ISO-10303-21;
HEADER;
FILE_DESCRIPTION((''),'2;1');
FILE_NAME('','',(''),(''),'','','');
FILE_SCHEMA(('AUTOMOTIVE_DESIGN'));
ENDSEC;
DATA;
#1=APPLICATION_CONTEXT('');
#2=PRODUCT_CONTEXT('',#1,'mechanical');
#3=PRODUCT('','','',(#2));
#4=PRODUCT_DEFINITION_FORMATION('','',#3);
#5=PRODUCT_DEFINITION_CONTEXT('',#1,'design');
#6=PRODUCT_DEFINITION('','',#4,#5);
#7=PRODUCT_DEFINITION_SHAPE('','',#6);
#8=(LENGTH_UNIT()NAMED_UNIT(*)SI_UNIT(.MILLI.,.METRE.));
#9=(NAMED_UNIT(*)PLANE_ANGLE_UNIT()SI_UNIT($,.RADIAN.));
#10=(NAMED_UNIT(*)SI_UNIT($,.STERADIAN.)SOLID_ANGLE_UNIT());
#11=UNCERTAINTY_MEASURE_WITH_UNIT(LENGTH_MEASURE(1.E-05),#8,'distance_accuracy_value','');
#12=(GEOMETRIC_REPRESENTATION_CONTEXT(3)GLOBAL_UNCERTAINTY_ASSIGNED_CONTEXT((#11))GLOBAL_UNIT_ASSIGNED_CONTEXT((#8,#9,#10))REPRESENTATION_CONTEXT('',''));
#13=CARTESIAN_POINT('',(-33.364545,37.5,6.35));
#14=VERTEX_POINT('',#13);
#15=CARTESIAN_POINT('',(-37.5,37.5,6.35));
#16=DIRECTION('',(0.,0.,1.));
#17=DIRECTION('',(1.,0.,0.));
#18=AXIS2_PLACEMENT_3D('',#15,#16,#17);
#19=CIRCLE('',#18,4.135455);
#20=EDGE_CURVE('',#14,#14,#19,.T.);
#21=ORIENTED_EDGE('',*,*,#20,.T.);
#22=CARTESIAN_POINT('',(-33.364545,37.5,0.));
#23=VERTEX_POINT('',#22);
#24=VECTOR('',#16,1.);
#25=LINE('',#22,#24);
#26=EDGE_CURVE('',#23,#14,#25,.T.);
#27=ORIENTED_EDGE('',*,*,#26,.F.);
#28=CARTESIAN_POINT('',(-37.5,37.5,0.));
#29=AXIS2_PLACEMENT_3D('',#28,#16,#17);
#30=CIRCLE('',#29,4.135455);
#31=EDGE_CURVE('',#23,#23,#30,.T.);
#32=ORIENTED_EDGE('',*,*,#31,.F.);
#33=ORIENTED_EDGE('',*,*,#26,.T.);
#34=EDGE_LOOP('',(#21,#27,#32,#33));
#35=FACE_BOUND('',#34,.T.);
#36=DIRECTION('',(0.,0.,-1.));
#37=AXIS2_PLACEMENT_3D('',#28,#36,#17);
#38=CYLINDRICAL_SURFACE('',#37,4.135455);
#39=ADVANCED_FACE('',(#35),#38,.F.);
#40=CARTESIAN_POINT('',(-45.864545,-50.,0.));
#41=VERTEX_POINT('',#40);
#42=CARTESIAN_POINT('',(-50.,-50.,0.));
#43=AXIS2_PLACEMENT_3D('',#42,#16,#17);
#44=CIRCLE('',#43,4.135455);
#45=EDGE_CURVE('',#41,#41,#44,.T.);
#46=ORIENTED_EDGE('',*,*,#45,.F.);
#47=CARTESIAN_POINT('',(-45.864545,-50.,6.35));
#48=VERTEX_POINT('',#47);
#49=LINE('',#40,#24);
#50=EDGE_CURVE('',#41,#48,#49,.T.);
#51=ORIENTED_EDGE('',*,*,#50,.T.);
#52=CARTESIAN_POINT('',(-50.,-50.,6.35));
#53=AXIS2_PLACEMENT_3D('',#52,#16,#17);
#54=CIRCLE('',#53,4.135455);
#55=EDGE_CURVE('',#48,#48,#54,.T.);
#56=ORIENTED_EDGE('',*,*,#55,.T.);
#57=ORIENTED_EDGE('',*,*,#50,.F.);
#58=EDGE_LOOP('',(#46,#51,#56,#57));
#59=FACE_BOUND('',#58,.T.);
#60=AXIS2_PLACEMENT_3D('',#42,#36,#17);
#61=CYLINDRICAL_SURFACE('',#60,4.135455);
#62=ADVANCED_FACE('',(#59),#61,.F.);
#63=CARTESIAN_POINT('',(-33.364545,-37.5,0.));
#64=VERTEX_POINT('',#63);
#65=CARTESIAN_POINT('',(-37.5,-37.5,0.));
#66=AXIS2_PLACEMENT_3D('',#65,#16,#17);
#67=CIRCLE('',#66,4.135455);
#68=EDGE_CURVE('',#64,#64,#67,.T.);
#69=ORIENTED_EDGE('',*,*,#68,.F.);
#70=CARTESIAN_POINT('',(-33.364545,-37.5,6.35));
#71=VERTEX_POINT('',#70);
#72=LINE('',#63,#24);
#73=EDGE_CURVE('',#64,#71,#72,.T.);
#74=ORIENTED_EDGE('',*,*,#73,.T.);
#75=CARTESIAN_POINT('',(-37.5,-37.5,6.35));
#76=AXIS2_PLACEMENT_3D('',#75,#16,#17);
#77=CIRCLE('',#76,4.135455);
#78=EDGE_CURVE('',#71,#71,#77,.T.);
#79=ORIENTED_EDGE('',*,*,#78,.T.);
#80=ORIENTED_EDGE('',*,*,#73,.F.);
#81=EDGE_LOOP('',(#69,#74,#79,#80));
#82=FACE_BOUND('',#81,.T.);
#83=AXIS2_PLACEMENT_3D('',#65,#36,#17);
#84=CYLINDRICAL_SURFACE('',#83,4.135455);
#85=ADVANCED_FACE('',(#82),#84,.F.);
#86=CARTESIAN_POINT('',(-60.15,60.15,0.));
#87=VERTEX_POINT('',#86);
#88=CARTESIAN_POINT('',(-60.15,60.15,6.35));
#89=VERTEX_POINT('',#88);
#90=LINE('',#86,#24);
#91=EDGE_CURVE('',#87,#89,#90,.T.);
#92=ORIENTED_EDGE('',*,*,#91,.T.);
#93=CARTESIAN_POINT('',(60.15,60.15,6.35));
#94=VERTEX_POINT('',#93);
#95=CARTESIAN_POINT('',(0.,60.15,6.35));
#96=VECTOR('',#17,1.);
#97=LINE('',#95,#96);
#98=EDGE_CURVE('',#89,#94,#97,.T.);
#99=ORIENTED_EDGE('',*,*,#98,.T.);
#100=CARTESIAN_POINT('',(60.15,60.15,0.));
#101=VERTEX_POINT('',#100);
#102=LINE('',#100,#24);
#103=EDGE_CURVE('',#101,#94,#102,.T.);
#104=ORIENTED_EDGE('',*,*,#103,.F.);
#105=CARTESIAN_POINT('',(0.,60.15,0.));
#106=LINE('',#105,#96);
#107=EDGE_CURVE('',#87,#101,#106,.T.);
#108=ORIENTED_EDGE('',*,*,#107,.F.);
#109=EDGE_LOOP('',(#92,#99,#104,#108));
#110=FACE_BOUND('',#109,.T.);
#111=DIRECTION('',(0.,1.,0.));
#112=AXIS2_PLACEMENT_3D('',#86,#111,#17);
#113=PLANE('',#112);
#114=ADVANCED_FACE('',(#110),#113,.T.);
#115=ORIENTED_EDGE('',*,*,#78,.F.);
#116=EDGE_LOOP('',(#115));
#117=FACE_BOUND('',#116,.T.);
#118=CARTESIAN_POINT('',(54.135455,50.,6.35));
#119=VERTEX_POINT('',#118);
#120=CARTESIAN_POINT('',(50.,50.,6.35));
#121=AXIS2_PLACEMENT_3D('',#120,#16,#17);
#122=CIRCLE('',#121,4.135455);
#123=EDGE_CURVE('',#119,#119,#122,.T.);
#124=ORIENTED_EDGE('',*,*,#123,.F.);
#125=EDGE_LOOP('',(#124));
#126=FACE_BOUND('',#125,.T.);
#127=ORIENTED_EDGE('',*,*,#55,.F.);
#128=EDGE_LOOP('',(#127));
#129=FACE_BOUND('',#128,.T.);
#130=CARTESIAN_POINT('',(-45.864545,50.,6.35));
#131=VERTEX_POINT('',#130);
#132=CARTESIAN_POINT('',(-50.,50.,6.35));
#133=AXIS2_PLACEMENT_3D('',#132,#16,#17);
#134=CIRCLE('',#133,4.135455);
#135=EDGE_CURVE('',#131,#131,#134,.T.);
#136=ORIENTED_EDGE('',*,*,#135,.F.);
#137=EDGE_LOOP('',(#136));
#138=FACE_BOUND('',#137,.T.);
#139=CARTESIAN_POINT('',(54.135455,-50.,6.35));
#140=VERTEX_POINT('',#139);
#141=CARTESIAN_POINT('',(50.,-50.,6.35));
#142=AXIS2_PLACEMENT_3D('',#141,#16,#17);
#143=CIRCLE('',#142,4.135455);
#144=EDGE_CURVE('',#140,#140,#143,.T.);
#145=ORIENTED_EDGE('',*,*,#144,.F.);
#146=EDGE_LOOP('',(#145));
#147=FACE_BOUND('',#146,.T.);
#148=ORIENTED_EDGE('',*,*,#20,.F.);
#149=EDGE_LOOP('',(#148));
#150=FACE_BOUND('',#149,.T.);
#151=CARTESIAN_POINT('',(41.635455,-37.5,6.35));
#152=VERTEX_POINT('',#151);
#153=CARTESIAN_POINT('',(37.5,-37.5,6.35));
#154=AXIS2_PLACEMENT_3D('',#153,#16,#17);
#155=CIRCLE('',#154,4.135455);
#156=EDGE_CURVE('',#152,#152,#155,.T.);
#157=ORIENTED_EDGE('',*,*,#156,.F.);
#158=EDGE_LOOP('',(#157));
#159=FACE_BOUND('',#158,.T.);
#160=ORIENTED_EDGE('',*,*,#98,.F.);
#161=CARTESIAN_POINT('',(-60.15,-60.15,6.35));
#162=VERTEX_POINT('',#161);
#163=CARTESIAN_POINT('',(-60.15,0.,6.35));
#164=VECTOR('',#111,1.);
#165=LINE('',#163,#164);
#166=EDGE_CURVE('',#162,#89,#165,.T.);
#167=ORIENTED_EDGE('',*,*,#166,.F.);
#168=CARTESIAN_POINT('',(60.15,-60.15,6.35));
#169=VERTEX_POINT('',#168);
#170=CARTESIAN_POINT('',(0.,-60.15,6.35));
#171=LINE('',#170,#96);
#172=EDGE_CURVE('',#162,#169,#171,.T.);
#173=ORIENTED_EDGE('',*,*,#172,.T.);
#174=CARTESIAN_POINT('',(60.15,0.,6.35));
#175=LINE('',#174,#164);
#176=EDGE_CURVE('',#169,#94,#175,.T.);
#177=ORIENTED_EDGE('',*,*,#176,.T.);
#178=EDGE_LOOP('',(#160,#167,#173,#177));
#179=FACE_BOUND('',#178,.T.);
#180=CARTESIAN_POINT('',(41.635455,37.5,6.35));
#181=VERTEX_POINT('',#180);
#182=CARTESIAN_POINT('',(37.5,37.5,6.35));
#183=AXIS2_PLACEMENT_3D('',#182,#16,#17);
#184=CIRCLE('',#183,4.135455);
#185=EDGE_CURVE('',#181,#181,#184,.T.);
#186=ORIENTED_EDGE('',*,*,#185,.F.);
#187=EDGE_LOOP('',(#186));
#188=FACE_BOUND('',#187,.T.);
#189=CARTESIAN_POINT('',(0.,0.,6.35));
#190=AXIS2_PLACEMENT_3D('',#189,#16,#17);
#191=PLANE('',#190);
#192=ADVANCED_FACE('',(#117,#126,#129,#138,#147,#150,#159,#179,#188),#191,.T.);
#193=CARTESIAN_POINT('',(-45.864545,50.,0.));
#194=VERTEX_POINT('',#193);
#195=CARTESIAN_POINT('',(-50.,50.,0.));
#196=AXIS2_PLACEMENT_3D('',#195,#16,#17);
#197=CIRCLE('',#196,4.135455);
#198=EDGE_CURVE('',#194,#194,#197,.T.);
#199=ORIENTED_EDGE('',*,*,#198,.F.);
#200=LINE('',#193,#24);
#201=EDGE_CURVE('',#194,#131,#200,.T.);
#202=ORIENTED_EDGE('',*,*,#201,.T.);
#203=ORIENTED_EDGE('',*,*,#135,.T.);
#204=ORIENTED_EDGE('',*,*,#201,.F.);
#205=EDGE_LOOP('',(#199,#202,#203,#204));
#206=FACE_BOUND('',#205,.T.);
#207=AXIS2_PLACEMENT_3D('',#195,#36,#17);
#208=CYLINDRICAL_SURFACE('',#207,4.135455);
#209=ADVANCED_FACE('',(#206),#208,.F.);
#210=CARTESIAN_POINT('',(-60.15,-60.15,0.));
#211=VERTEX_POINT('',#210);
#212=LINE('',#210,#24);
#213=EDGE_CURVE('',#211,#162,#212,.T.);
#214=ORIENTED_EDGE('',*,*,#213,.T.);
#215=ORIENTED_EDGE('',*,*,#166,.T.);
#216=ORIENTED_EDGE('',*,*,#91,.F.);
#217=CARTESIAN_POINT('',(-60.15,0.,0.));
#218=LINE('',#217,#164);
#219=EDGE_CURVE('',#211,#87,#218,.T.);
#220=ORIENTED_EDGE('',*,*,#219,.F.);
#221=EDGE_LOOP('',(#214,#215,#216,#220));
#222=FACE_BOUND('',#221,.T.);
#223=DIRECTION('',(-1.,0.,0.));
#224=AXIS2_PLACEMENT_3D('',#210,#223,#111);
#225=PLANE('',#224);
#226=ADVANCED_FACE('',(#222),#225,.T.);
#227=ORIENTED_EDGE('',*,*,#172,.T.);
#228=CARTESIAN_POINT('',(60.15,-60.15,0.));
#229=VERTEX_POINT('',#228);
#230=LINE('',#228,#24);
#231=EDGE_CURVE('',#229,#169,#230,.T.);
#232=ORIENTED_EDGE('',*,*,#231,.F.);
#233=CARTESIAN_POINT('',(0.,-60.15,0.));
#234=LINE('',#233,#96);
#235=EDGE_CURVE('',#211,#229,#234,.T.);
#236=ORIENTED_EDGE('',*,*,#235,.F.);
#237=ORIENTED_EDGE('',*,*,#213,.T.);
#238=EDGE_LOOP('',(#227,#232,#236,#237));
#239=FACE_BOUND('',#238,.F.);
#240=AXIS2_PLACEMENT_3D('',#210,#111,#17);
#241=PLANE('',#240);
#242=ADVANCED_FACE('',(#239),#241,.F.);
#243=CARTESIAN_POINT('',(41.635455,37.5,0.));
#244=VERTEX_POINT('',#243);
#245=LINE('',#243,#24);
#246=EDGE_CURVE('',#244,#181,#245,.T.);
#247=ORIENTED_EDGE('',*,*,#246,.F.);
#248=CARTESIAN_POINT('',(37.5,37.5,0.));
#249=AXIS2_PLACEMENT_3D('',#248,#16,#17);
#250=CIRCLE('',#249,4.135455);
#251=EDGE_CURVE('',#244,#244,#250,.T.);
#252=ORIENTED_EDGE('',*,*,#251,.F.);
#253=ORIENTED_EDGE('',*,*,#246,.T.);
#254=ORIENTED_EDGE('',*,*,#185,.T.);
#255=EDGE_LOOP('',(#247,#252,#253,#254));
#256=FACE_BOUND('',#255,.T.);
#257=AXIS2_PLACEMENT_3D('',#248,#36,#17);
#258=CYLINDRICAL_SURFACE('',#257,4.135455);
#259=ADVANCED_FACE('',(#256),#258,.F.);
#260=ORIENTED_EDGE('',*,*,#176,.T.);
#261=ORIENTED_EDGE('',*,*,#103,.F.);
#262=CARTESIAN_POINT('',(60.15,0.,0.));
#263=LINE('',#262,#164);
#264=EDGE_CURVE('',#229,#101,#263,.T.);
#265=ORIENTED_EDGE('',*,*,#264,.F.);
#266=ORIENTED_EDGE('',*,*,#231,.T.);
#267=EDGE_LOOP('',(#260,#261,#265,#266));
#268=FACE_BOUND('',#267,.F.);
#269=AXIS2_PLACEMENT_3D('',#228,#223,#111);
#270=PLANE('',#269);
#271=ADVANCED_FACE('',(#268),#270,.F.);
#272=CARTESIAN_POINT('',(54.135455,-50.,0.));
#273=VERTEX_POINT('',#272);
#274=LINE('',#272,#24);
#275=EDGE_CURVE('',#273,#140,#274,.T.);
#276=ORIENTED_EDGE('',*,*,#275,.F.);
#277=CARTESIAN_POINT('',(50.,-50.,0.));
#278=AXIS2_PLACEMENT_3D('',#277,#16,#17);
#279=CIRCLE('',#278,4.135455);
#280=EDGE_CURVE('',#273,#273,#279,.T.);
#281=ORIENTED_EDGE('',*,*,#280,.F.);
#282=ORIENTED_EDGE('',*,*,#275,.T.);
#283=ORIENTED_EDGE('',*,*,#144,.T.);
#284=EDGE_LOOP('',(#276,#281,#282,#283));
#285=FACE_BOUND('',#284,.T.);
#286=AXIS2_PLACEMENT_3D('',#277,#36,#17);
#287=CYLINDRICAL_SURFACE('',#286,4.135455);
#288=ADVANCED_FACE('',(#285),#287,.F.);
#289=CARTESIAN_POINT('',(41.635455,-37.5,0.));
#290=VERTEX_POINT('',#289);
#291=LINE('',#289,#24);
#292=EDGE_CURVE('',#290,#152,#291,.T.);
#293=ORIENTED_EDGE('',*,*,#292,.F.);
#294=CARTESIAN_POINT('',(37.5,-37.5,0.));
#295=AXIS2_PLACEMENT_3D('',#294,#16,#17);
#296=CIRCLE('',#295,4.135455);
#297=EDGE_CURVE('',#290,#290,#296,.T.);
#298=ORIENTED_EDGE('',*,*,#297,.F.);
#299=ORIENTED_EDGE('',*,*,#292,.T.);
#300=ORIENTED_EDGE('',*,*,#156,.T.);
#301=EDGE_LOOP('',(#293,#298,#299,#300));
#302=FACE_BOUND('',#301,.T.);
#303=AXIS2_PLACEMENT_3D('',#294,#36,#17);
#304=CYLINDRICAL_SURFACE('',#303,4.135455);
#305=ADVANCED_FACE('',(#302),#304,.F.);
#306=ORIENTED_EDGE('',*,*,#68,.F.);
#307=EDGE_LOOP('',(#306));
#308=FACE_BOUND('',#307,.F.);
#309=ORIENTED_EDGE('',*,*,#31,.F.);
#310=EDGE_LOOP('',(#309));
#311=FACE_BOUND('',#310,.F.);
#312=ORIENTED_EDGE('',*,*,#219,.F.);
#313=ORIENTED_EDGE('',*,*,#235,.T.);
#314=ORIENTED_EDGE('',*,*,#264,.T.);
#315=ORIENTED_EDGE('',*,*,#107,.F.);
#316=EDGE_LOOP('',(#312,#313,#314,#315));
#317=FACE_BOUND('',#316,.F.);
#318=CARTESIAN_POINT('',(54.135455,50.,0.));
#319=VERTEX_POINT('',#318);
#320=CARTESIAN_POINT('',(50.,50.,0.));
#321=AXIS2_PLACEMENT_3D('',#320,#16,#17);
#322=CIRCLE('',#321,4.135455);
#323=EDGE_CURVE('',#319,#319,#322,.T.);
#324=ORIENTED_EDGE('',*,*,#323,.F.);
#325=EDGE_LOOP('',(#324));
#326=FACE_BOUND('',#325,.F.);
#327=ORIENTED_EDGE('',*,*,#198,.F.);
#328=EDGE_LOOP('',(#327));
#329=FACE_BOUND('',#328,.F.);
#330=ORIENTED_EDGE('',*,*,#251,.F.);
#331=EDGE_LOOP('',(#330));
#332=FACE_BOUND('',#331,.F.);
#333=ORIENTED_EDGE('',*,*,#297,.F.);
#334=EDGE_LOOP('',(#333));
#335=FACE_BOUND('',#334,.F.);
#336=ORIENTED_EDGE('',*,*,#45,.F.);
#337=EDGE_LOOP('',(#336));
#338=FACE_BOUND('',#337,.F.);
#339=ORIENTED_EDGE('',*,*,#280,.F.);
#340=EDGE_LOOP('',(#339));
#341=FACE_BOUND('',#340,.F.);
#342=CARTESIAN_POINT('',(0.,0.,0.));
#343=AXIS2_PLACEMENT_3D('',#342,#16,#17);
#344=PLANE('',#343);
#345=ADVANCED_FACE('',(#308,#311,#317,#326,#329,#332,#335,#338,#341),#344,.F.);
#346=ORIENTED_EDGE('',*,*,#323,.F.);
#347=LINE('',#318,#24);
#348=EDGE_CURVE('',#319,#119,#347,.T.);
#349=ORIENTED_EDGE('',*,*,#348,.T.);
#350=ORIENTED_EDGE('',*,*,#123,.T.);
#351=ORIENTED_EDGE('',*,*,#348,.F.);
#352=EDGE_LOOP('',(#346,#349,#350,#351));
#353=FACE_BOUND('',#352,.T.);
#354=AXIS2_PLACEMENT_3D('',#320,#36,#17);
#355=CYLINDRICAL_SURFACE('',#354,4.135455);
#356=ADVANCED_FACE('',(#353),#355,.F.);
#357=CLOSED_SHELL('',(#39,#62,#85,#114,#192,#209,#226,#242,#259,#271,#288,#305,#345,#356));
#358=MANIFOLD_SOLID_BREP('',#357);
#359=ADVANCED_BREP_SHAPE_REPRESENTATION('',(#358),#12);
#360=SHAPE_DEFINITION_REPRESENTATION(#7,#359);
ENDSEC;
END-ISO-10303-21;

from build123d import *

# Parameters (mm, degrees)
F0_W     = 120.3
F0_H     = 120.3
F0_R     = 4.135455
F1_DEPTH = 6.35


with BuildPart() as f1:
    # F0 (on Top) → F1 (new body)
    with BuildSketch(Plane.XY):
        Rectangle(F0_W, F0_H)
        with Locations((-50, -50)):
            Circle(F0_R, mode=Mode.SUBTRACT)
        with Locations((-37.5, -37.5)):
            Circle(F0_R, mode=Mode.SUBTRACT)
        with Locations((50, -50)):
            Circle(F0_R, mode=Mode.SUBTRACT)
        with Locations((37.5, -37.5)):
            Circle(F0_R, mode=Mode.SUBTRACT)
        with Locations((-37.5, 37.5)):
            Circle(F0_R, mode=Mode.SUBTRACT)
        with Locations((-50, 50)):
            Circle(F0_R, mode=Mode.SUBTRACT)
        with Locations((37.5, 37.5)):
            Circle(F0_R, mode=Mode.SUBTRACT)
        with Locations((50, 50)):
            Circle(F0_R, mode=Mode.SUBTRACT)
    extrude(amount=F1_DEPTH)


solid = f1.part
